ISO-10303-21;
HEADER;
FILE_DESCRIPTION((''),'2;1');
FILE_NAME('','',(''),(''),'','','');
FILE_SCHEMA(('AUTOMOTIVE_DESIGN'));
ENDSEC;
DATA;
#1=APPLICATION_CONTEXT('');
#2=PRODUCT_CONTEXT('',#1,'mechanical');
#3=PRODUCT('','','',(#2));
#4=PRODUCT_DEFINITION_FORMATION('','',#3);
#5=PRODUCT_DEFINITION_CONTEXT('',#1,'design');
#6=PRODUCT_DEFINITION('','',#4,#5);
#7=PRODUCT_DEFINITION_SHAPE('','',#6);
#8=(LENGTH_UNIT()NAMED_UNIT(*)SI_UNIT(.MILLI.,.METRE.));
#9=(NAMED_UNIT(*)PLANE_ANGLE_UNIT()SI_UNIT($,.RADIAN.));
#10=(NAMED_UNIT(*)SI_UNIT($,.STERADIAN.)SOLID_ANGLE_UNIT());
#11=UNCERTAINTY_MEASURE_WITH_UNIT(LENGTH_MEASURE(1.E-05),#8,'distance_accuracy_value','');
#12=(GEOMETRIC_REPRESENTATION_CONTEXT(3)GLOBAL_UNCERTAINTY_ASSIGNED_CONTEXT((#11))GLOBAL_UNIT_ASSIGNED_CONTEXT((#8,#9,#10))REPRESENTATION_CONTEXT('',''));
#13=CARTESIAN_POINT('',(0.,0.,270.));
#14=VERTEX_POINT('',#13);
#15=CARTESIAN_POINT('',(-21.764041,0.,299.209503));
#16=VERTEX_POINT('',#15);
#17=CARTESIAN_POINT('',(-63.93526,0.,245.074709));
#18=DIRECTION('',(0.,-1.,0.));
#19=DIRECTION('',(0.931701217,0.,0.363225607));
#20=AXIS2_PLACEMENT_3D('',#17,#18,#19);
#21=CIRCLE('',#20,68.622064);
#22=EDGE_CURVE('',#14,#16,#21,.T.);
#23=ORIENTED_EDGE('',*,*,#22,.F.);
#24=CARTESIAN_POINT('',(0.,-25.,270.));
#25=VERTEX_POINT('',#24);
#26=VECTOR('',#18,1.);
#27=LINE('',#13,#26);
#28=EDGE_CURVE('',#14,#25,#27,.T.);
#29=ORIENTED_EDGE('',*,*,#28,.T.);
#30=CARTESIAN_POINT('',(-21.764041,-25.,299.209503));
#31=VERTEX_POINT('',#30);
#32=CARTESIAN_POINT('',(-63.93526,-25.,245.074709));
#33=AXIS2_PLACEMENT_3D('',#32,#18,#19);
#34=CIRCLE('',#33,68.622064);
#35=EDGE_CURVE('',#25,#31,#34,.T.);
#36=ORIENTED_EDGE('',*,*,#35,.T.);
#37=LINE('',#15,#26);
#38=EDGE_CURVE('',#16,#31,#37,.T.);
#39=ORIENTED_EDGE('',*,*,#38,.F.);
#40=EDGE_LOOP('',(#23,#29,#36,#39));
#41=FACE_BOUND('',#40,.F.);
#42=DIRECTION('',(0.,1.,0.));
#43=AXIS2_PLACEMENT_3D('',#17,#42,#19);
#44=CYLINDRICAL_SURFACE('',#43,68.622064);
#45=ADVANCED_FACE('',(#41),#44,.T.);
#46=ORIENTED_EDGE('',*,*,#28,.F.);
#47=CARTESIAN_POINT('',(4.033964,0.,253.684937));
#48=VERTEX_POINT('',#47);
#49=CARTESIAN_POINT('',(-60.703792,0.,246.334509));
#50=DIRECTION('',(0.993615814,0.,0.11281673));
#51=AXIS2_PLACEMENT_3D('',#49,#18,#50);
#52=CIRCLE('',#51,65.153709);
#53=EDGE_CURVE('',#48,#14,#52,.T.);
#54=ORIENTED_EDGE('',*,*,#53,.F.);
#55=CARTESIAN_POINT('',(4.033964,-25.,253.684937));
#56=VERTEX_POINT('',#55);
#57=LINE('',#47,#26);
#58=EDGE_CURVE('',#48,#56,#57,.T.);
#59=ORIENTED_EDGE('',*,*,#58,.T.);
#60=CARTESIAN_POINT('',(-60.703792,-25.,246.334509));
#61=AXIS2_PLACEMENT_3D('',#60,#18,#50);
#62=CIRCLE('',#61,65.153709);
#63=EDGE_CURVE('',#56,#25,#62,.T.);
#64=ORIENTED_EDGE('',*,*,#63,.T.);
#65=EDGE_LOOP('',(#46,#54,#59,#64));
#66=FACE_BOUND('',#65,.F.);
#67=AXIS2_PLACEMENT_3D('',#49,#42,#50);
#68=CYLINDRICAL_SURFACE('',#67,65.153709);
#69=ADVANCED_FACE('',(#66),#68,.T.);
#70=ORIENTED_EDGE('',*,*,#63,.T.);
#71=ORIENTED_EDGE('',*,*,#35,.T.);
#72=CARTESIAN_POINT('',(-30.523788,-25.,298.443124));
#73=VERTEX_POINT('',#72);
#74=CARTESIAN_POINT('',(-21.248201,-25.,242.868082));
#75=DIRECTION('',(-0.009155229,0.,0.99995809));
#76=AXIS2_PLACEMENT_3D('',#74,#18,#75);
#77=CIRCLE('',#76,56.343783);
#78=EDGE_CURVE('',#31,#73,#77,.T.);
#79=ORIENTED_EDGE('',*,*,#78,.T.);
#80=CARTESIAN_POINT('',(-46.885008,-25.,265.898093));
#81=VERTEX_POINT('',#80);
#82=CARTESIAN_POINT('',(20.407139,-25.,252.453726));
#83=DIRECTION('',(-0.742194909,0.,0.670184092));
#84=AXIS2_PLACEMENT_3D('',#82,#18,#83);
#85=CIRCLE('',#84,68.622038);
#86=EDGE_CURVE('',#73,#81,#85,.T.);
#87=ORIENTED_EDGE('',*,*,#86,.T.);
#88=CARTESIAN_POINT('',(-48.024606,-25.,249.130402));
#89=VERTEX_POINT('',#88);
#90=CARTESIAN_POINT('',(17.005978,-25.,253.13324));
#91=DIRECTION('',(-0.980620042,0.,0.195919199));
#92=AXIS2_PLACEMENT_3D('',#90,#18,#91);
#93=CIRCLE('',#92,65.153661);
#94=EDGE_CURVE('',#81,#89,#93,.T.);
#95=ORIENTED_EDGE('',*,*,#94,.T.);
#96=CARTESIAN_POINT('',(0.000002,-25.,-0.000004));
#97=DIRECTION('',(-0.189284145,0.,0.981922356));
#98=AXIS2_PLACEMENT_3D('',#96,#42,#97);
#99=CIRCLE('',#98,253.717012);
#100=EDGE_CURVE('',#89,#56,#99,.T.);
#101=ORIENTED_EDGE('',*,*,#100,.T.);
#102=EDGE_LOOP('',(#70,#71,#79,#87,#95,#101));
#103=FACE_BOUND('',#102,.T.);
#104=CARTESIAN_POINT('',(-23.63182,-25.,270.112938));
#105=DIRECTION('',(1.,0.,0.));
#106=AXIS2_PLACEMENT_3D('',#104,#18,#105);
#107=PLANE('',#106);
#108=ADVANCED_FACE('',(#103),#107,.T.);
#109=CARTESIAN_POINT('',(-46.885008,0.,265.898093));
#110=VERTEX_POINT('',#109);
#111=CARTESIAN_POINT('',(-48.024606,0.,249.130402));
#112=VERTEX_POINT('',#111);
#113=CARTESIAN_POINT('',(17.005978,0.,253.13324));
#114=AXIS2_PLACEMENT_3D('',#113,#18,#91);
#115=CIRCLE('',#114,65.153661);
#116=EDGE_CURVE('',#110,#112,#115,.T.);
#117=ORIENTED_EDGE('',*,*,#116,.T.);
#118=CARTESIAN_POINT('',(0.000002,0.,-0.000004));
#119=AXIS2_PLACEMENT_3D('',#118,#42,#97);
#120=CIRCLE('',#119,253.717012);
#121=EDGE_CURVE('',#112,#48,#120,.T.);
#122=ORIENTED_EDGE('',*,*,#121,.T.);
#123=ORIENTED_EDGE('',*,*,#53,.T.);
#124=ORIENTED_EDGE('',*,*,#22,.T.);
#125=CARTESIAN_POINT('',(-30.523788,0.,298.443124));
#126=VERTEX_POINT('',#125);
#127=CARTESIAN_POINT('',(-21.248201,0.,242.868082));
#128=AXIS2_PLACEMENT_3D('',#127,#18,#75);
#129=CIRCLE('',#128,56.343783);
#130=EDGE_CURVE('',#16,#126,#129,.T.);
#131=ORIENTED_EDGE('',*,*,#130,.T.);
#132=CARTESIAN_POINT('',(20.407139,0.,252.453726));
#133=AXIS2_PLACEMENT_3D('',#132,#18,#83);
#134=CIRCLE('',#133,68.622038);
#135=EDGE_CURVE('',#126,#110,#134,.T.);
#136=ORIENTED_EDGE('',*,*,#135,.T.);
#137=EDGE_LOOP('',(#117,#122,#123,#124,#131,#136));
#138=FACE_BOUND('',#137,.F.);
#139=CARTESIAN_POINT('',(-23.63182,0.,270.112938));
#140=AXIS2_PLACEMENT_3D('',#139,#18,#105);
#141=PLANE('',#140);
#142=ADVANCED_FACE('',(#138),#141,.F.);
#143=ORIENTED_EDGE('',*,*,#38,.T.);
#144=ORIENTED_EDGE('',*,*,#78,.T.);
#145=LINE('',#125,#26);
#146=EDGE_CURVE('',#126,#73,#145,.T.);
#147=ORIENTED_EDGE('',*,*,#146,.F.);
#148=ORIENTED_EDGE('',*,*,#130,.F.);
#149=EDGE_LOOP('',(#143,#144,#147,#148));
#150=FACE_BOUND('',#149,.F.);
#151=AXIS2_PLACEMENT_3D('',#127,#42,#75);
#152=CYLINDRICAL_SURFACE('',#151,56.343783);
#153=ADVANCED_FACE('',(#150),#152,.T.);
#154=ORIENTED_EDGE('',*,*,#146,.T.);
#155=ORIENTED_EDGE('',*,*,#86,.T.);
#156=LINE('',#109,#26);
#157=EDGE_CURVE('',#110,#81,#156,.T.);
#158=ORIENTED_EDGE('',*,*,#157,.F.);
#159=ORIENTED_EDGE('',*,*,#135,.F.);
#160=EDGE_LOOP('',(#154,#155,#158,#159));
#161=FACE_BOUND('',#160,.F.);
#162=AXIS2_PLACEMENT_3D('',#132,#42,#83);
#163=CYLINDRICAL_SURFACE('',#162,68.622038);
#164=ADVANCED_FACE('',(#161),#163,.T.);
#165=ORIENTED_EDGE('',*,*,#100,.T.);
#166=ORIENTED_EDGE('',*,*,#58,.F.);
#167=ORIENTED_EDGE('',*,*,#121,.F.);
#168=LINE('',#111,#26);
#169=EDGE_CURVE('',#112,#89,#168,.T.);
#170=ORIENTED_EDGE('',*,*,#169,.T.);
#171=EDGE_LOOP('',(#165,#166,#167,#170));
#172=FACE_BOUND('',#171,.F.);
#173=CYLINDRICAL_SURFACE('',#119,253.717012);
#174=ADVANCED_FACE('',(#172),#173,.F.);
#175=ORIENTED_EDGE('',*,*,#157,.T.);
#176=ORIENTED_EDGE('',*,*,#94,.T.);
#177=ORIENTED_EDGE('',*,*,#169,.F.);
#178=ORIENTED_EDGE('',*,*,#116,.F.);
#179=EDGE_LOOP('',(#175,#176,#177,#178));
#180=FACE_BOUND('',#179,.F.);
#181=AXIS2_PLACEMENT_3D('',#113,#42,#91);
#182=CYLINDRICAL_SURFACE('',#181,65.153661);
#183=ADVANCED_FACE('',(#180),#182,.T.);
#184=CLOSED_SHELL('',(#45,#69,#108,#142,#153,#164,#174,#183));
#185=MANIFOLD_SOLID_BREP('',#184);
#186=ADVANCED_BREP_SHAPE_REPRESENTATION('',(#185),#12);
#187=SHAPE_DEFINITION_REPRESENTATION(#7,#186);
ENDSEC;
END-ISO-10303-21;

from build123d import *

# Parameters (mm, degrees)
F1_DEPTH = 25


with BuildPart() as f1:
    # F0 (on Front) → F1 (new body)
    with BuildSketch(Plane.XZ):
        with BuildLine():
            ThreePointArc((-48.024606, 249.130402), (-22.112894, 252.751538), (4.033964, 253.684937))
            ThreePointArc((4.033964, 253.684937), (2.545246, 261.973084), (0, 270))
            ThreePointArc((0, 270), (-8.908494, 286.075229), (-21.764041, 299.209503))
            ThreePointArc((-21.764041, 299.209503), (-26.158888, 298.997459), (-30.523788, 298.443124))
            ThreePointArc((-30.523788, 298.443124), (-40.903289, 283.276047), (-46.885008, 265.898093))
            ThreePointArc((-46.885008, 265.898093), (-47.997727, 257.551147), (-48.024606, 249.130402))
        make_face()
    extrude(amount=F1_DEPTH)


solid = f1.part
